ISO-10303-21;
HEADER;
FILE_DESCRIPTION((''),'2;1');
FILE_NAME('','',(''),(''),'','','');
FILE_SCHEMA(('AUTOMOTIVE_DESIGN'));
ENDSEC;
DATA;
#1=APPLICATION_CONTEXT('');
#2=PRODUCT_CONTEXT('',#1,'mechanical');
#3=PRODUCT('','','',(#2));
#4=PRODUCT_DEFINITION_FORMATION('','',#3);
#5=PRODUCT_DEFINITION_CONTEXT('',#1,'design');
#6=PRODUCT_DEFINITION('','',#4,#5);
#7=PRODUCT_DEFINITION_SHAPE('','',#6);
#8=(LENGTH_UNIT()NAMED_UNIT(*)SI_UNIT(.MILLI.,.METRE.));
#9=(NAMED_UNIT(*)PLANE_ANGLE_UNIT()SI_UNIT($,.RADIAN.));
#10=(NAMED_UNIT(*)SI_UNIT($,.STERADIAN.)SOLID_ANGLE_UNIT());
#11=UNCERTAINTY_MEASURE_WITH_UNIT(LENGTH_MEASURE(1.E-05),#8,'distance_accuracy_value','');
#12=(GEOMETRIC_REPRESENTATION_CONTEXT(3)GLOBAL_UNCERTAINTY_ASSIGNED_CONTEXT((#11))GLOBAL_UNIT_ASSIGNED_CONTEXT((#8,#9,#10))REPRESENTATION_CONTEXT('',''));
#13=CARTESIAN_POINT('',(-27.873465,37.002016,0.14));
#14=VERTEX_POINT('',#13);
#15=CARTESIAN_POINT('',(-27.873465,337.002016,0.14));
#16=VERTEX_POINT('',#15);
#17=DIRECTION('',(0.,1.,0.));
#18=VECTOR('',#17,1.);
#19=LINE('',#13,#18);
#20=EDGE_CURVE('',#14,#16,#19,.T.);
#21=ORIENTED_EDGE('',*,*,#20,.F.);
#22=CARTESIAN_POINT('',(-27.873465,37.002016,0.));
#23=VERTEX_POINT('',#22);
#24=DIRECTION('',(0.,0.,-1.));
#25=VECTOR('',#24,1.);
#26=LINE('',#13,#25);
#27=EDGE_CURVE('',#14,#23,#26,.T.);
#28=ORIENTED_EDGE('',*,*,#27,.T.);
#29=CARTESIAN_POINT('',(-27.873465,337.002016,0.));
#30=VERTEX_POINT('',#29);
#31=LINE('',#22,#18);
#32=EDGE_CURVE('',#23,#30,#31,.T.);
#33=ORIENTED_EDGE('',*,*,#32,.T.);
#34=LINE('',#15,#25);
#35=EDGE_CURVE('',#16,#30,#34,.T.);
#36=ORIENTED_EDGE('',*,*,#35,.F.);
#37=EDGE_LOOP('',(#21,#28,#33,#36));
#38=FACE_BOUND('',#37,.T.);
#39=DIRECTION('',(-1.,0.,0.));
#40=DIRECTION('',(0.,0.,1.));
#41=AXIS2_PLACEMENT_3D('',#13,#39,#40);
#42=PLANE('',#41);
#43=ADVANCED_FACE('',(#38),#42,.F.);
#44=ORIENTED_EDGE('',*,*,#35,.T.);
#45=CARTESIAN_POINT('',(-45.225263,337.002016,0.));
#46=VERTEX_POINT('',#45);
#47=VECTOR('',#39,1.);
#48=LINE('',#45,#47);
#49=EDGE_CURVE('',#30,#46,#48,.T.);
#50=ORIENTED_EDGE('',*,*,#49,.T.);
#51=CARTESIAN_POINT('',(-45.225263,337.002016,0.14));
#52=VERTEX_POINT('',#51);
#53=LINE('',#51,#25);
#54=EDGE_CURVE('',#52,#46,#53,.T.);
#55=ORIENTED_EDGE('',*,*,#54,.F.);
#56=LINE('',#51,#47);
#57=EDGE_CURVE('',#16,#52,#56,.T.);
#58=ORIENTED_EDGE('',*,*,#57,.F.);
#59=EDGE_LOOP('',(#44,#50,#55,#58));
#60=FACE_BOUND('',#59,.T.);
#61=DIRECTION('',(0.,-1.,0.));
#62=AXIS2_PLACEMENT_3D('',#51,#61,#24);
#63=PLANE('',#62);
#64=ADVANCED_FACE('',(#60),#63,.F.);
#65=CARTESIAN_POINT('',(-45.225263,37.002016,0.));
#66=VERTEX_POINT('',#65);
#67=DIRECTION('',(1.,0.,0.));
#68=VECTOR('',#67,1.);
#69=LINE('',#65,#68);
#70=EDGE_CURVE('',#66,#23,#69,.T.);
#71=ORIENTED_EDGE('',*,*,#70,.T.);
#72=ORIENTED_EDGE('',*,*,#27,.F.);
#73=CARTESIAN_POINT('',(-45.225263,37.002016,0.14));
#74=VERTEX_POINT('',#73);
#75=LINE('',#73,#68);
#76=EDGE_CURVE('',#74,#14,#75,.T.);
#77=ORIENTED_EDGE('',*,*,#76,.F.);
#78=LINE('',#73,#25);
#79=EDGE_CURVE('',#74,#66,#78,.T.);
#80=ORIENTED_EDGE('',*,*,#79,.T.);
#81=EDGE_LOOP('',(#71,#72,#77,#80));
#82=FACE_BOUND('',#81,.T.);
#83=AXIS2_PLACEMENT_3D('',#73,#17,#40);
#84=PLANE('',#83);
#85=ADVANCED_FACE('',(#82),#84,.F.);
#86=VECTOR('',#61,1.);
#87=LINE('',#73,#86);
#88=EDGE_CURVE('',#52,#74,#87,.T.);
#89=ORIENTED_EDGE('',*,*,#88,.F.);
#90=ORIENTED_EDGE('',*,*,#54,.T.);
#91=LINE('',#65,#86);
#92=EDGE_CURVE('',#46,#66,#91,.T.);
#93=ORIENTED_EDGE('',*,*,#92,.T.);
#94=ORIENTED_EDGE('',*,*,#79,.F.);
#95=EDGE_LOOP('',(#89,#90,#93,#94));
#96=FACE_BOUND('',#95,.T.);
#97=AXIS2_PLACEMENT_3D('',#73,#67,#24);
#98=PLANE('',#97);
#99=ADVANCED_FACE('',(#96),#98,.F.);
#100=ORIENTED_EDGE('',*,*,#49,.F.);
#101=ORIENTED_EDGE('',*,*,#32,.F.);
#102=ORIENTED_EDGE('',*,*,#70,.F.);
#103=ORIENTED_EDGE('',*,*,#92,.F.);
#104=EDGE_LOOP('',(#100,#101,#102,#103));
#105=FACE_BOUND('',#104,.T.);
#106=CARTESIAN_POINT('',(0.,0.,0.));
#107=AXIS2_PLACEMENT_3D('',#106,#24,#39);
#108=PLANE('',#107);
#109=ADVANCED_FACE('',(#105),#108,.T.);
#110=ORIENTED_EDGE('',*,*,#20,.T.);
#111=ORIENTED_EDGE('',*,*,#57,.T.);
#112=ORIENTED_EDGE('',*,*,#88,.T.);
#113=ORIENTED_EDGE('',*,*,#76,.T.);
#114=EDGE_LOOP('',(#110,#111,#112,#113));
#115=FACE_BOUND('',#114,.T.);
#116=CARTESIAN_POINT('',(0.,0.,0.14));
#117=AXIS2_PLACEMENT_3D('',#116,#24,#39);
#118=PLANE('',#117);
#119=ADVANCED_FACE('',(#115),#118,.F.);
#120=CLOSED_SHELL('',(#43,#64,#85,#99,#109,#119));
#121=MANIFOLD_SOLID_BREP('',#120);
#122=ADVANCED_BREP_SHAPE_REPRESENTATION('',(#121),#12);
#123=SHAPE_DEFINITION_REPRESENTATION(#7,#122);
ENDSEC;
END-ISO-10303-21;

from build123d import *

# Parameters (mm, degrees)
SKETCH1_W           = 17.351797945
SKETCH1_H           = 300
BOSS_EXTRUDE1_DEPTH = 0.14


with BuildPart() as part:
    # Sketch1 → Boss-Extrude1 (new body)
    with BuildSketch(Plane.XY):
        with Locations((-36.549363647, 187.002015646)):
            Rectangle(SKETCH1_W, SKETCH1_H)
    extrude(amount=BOSS_EXTRUDE1_DEPTH)


solid = part.part
